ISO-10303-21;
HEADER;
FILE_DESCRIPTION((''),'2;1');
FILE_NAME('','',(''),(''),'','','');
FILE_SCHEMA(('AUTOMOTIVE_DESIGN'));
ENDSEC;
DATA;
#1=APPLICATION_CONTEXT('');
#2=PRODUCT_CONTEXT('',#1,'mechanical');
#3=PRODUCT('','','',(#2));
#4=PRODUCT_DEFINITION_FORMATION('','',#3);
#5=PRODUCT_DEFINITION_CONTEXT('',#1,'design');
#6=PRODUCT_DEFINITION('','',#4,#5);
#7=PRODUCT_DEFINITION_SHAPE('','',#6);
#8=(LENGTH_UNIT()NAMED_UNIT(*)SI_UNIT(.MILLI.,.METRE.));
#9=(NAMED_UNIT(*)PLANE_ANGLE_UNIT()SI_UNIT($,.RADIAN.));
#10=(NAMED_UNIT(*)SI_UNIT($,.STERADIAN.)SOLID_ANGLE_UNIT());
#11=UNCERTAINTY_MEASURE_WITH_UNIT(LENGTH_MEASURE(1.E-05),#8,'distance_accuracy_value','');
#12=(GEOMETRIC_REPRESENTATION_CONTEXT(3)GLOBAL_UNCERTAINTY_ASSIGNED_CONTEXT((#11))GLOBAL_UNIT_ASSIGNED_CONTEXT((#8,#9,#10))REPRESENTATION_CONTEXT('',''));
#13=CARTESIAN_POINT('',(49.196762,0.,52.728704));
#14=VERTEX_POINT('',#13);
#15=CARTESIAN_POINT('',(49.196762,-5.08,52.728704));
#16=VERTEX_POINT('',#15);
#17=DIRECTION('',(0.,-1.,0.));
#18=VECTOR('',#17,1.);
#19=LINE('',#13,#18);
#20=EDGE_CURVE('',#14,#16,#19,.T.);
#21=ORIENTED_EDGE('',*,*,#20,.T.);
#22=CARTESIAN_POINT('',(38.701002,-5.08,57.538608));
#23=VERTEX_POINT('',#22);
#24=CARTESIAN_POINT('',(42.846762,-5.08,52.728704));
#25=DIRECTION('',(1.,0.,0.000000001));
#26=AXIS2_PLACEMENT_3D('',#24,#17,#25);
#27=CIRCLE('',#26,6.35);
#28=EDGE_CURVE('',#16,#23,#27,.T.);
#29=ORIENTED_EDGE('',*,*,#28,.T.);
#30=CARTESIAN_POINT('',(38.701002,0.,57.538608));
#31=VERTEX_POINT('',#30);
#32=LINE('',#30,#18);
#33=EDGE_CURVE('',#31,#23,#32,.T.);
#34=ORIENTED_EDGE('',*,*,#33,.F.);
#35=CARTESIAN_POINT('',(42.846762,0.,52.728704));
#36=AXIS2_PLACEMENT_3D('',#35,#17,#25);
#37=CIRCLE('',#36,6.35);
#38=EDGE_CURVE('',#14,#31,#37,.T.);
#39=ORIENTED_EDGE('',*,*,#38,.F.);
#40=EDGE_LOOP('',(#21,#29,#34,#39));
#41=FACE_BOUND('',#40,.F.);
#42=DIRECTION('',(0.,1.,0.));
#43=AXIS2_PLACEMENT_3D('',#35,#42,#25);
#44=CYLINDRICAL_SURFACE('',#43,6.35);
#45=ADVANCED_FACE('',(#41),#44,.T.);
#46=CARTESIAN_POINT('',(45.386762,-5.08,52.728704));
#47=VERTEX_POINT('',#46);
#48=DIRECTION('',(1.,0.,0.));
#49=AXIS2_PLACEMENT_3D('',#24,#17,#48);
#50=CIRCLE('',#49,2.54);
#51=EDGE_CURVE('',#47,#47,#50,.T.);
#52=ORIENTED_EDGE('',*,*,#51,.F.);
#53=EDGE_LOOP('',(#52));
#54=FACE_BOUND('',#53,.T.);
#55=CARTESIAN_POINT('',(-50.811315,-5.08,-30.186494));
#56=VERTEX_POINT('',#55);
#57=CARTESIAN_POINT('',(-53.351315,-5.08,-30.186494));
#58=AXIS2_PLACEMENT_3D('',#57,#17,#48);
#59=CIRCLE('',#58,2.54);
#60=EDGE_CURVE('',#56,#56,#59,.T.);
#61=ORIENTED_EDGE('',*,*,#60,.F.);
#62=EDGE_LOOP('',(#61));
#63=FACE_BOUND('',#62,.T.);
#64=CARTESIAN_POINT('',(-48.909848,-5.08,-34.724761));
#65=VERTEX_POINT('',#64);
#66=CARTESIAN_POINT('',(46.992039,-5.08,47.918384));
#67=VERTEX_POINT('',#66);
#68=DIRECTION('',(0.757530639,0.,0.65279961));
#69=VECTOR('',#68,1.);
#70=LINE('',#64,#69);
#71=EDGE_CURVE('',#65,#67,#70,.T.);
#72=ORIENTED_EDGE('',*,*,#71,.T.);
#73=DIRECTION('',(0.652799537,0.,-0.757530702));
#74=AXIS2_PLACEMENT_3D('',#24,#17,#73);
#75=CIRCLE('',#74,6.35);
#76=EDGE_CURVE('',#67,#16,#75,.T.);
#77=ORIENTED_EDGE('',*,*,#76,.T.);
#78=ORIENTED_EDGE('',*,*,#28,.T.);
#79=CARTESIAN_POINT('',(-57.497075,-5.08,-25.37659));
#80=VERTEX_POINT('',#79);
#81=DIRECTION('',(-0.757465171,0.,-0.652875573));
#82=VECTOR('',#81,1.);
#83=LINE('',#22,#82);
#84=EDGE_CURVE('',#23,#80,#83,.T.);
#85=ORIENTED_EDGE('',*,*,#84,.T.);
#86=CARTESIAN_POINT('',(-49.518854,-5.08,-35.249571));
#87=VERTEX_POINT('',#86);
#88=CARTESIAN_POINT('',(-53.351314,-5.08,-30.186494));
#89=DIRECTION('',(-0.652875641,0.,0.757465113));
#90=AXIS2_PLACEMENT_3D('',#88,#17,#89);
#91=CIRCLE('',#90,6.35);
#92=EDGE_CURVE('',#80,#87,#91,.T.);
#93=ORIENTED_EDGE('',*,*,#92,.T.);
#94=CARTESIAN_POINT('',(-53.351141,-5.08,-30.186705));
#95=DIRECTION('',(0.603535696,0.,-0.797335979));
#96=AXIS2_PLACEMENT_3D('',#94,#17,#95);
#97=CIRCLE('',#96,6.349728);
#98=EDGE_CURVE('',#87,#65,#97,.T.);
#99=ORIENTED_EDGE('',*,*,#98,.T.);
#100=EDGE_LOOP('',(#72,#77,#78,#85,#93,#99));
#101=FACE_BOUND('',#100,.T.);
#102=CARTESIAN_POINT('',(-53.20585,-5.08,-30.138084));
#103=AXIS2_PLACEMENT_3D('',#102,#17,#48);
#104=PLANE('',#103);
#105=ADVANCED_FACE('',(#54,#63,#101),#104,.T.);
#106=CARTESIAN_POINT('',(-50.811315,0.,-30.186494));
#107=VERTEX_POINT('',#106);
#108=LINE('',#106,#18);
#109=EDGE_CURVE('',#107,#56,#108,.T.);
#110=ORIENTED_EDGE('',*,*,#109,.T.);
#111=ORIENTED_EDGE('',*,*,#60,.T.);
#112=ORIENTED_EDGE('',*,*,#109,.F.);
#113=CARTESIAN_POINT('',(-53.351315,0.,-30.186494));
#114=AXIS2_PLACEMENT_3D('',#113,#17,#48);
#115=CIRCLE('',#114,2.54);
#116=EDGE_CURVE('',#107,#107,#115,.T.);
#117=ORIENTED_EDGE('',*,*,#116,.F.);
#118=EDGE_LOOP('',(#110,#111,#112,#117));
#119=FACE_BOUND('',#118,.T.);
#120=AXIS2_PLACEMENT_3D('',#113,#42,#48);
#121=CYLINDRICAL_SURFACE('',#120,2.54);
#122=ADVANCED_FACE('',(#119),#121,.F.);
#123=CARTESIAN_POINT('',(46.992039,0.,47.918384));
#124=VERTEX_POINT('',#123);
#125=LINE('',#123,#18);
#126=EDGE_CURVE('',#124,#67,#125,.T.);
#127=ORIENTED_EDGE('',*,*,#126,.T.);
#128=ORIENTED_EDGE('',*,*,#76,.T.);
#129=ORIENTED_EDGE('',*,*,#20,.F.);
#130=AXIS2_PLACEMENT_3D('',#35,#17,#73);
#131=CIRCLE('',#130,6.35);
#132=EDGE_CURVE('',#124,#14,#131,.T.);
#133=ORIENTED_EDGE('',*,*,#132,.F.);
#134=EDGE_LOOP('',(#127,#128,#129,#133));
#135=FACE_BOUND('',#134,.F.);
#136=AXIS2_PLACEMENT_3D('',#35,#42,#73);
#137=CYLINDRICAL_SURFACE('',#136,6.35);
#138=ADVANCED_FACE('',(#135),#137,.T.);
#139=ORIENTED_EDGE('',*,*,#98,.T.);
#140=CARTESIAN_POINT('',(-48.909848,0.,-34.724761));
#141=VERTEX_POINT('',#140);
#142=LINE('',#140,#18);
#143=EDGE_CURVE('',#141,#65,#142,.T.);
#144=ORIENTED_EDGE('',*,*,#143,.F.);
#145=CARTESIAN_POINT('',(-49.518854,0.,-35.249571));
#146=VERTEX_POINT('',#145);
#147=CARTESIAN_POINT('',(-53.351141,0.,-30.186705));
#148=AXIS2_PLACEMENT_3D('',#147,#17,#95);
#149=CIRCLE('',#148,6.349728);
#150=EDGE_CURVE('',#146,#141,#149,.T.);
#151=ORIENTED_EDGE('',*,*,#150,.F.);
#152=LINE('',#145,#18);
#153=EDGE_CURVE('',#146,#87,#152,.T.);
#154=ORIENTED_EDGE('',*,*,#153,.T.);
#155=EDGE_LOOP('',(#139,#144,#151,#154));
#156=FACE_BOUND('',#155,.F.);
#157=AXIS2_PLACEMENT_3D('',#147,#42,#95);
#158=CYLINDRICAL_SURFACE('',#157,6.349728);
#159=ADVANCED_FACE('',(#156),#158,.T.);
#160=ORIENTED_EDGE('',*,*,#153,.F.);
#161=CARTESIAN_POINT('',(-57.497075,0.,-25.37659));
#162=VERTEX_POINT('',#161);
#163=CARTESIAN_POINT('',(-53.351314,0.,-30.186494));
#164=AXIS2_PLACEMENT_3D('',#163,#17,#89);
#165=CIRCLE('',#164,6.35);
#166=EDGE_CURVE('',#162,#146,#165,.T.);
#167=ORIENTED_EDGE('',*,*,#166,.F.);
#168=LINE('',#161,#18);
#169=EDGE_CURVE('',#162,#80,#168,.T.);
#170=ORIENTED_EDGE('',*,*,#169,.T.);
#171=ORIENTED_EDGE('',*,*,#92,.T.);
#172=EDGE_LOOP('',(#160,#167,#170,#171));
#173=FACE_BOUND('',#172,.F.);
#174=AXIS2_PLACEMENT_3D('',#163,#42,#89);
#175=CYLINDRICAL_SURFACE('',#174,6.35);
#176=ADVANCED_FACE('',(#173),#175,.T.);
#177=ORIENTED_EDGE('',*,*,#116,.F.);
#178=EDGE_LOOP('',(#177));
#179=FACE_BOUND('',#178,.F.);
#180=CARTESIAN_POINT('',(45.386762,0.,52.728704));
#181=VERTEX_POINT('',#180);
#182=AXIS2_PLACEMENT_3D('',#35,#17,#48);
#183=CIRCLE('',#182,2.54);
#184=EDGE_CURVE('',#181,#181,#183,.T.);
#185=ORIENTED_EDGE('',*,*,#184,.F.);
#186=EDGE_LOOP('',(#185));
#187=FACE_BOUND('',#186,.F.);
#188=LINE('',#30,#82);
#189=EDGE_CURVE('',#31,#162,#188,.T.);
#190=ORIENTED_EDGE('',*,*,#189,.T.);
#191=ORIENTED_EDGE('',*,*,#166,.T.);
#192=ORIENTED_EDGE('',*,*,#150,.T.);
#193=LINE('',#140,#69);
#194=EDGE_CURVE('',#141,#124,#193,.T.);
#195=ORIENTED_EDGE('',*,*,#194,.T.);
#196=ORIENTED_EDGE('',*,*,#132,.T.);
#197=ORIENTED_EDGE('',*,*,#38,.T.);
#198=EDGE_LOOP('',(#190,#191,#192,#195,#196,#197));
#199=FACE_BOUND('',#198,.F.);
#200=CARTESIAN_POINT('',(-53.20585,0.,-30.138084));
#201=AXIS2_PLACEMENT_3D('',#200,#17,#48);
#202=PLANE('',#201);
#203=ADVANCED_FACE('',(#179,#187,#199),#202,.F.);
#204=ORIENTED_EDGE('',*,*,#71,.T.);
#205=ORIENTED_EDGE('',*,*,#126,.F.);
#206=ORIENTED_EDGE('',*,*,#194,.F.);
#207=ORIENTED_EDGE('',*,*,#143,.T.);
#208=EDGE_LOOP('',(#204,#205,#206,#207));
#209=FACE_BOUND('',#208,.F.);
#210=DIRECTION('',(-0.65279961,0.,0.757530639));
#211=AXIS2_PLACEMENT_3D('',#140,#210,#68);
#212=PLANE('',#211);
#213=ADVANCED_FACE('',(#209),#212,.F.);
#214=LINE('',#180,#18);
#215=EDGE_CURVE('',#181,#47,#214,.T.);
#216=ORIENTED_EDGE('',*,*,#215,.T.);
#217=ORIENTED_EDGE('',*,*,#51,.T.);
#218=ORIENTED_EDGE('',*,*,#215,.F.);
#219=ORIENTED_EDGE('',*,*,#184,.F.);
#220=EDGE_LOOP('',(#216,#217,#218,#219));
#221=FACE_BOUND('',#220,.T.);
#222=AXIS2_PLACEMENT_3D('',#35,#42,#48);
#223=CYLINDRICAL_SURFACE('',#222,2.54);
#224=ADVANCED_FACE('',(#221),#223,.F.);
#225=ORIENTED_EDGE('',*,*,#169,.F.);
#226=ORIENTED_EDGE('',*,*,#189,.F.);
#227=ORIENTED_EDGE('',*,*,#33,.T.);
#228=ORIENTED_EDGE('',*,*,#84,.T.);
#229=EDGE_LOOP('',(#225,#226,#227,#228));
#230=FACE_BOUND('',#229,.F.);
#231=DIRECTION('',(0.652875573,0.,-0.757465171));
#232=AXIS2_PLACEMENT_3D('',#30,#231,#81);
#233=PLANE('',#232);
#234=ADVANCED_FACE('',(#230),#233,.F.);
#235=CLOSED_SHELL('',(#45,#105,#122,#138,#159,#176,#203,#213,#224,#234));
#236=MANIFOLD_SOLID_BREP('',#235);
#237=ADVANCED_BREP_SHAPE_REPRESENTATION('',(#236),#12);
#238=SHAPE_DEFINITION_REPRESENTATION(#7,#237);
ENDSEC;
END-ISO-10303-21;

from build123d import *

# Parameters (mm, degrees)
F0_R     = 2.54
F1_DEPTH = 5.08


with BuildPart() as f1:
    # F0 (on Front) → F1 (new body)
    with BuildSketch(Plane.XZ):
        with BuildLine():
            ThreePointArc((-48.909848, -34.724761), (-47.497862, -32.648118), (-47.001315, -30.186494))
            ThreePointArc((-47.001315, -30.186494), (-50.705854, -24.413797), (-57.497075, -25.37659))
            ThreePointArc((-57.497075, -25.37659), (-58.29029, -34.177612), (-49.518854, -35.249571))
            Line((-49.518854, -35.249571), (-48.909848, -34.724761))
        make_face()
        with Locations((-53.351315, -30.186494)):
            Circle(F0_R, mode=Mode.SUBTRACT)
        with BuildLine():
            ThreePointArc((-57.497075, -25.37659), (-50.705854, -24.413797), (-47.001315, -30.186494))
            ThreePointArc((-47.001315, -30.186494), (-47.497862, -32.648118), (-48.909848, -34.724761))
            Line((-48.909848, -34.724761), (46.992039, 47.918384))
            ThreePointArc((46.992039, 47.918384), (38.03665, 48.583185), (38.701002, 57.538608))
            Line((38.701002, 57.538608), (-57.497075, -25.37659))
        make_face()
        with BuildLine():
            ThreePointArc((-49.518854, -35.249571), (-49.206037, -34.996814), (-48.909848, -34.724761))
            Line((-48.909848, -34.724761), (-49.518854, -35.249571))
        make_face()
        with BuildLine():
            ThreePointArc((49.196762, 52.728704), (45.492222, 58.501402), (38.701002, 57.538608))
            ThreePointArc((38.701002, 57.538608), (38.03665, 48.583185), (46.992039, 47.918384))
            ThreePointArc((46.992039, 47.918384), (48.619327, 50.082954), (49.196762, 52.728704))
        make_face()
        with Locations((42.846762, 52.728704)):
            Circle(F0_R, mode=Mode.SUBTRACT)
    extrude(amount=F1_DEPTH)


solid = f1.part
